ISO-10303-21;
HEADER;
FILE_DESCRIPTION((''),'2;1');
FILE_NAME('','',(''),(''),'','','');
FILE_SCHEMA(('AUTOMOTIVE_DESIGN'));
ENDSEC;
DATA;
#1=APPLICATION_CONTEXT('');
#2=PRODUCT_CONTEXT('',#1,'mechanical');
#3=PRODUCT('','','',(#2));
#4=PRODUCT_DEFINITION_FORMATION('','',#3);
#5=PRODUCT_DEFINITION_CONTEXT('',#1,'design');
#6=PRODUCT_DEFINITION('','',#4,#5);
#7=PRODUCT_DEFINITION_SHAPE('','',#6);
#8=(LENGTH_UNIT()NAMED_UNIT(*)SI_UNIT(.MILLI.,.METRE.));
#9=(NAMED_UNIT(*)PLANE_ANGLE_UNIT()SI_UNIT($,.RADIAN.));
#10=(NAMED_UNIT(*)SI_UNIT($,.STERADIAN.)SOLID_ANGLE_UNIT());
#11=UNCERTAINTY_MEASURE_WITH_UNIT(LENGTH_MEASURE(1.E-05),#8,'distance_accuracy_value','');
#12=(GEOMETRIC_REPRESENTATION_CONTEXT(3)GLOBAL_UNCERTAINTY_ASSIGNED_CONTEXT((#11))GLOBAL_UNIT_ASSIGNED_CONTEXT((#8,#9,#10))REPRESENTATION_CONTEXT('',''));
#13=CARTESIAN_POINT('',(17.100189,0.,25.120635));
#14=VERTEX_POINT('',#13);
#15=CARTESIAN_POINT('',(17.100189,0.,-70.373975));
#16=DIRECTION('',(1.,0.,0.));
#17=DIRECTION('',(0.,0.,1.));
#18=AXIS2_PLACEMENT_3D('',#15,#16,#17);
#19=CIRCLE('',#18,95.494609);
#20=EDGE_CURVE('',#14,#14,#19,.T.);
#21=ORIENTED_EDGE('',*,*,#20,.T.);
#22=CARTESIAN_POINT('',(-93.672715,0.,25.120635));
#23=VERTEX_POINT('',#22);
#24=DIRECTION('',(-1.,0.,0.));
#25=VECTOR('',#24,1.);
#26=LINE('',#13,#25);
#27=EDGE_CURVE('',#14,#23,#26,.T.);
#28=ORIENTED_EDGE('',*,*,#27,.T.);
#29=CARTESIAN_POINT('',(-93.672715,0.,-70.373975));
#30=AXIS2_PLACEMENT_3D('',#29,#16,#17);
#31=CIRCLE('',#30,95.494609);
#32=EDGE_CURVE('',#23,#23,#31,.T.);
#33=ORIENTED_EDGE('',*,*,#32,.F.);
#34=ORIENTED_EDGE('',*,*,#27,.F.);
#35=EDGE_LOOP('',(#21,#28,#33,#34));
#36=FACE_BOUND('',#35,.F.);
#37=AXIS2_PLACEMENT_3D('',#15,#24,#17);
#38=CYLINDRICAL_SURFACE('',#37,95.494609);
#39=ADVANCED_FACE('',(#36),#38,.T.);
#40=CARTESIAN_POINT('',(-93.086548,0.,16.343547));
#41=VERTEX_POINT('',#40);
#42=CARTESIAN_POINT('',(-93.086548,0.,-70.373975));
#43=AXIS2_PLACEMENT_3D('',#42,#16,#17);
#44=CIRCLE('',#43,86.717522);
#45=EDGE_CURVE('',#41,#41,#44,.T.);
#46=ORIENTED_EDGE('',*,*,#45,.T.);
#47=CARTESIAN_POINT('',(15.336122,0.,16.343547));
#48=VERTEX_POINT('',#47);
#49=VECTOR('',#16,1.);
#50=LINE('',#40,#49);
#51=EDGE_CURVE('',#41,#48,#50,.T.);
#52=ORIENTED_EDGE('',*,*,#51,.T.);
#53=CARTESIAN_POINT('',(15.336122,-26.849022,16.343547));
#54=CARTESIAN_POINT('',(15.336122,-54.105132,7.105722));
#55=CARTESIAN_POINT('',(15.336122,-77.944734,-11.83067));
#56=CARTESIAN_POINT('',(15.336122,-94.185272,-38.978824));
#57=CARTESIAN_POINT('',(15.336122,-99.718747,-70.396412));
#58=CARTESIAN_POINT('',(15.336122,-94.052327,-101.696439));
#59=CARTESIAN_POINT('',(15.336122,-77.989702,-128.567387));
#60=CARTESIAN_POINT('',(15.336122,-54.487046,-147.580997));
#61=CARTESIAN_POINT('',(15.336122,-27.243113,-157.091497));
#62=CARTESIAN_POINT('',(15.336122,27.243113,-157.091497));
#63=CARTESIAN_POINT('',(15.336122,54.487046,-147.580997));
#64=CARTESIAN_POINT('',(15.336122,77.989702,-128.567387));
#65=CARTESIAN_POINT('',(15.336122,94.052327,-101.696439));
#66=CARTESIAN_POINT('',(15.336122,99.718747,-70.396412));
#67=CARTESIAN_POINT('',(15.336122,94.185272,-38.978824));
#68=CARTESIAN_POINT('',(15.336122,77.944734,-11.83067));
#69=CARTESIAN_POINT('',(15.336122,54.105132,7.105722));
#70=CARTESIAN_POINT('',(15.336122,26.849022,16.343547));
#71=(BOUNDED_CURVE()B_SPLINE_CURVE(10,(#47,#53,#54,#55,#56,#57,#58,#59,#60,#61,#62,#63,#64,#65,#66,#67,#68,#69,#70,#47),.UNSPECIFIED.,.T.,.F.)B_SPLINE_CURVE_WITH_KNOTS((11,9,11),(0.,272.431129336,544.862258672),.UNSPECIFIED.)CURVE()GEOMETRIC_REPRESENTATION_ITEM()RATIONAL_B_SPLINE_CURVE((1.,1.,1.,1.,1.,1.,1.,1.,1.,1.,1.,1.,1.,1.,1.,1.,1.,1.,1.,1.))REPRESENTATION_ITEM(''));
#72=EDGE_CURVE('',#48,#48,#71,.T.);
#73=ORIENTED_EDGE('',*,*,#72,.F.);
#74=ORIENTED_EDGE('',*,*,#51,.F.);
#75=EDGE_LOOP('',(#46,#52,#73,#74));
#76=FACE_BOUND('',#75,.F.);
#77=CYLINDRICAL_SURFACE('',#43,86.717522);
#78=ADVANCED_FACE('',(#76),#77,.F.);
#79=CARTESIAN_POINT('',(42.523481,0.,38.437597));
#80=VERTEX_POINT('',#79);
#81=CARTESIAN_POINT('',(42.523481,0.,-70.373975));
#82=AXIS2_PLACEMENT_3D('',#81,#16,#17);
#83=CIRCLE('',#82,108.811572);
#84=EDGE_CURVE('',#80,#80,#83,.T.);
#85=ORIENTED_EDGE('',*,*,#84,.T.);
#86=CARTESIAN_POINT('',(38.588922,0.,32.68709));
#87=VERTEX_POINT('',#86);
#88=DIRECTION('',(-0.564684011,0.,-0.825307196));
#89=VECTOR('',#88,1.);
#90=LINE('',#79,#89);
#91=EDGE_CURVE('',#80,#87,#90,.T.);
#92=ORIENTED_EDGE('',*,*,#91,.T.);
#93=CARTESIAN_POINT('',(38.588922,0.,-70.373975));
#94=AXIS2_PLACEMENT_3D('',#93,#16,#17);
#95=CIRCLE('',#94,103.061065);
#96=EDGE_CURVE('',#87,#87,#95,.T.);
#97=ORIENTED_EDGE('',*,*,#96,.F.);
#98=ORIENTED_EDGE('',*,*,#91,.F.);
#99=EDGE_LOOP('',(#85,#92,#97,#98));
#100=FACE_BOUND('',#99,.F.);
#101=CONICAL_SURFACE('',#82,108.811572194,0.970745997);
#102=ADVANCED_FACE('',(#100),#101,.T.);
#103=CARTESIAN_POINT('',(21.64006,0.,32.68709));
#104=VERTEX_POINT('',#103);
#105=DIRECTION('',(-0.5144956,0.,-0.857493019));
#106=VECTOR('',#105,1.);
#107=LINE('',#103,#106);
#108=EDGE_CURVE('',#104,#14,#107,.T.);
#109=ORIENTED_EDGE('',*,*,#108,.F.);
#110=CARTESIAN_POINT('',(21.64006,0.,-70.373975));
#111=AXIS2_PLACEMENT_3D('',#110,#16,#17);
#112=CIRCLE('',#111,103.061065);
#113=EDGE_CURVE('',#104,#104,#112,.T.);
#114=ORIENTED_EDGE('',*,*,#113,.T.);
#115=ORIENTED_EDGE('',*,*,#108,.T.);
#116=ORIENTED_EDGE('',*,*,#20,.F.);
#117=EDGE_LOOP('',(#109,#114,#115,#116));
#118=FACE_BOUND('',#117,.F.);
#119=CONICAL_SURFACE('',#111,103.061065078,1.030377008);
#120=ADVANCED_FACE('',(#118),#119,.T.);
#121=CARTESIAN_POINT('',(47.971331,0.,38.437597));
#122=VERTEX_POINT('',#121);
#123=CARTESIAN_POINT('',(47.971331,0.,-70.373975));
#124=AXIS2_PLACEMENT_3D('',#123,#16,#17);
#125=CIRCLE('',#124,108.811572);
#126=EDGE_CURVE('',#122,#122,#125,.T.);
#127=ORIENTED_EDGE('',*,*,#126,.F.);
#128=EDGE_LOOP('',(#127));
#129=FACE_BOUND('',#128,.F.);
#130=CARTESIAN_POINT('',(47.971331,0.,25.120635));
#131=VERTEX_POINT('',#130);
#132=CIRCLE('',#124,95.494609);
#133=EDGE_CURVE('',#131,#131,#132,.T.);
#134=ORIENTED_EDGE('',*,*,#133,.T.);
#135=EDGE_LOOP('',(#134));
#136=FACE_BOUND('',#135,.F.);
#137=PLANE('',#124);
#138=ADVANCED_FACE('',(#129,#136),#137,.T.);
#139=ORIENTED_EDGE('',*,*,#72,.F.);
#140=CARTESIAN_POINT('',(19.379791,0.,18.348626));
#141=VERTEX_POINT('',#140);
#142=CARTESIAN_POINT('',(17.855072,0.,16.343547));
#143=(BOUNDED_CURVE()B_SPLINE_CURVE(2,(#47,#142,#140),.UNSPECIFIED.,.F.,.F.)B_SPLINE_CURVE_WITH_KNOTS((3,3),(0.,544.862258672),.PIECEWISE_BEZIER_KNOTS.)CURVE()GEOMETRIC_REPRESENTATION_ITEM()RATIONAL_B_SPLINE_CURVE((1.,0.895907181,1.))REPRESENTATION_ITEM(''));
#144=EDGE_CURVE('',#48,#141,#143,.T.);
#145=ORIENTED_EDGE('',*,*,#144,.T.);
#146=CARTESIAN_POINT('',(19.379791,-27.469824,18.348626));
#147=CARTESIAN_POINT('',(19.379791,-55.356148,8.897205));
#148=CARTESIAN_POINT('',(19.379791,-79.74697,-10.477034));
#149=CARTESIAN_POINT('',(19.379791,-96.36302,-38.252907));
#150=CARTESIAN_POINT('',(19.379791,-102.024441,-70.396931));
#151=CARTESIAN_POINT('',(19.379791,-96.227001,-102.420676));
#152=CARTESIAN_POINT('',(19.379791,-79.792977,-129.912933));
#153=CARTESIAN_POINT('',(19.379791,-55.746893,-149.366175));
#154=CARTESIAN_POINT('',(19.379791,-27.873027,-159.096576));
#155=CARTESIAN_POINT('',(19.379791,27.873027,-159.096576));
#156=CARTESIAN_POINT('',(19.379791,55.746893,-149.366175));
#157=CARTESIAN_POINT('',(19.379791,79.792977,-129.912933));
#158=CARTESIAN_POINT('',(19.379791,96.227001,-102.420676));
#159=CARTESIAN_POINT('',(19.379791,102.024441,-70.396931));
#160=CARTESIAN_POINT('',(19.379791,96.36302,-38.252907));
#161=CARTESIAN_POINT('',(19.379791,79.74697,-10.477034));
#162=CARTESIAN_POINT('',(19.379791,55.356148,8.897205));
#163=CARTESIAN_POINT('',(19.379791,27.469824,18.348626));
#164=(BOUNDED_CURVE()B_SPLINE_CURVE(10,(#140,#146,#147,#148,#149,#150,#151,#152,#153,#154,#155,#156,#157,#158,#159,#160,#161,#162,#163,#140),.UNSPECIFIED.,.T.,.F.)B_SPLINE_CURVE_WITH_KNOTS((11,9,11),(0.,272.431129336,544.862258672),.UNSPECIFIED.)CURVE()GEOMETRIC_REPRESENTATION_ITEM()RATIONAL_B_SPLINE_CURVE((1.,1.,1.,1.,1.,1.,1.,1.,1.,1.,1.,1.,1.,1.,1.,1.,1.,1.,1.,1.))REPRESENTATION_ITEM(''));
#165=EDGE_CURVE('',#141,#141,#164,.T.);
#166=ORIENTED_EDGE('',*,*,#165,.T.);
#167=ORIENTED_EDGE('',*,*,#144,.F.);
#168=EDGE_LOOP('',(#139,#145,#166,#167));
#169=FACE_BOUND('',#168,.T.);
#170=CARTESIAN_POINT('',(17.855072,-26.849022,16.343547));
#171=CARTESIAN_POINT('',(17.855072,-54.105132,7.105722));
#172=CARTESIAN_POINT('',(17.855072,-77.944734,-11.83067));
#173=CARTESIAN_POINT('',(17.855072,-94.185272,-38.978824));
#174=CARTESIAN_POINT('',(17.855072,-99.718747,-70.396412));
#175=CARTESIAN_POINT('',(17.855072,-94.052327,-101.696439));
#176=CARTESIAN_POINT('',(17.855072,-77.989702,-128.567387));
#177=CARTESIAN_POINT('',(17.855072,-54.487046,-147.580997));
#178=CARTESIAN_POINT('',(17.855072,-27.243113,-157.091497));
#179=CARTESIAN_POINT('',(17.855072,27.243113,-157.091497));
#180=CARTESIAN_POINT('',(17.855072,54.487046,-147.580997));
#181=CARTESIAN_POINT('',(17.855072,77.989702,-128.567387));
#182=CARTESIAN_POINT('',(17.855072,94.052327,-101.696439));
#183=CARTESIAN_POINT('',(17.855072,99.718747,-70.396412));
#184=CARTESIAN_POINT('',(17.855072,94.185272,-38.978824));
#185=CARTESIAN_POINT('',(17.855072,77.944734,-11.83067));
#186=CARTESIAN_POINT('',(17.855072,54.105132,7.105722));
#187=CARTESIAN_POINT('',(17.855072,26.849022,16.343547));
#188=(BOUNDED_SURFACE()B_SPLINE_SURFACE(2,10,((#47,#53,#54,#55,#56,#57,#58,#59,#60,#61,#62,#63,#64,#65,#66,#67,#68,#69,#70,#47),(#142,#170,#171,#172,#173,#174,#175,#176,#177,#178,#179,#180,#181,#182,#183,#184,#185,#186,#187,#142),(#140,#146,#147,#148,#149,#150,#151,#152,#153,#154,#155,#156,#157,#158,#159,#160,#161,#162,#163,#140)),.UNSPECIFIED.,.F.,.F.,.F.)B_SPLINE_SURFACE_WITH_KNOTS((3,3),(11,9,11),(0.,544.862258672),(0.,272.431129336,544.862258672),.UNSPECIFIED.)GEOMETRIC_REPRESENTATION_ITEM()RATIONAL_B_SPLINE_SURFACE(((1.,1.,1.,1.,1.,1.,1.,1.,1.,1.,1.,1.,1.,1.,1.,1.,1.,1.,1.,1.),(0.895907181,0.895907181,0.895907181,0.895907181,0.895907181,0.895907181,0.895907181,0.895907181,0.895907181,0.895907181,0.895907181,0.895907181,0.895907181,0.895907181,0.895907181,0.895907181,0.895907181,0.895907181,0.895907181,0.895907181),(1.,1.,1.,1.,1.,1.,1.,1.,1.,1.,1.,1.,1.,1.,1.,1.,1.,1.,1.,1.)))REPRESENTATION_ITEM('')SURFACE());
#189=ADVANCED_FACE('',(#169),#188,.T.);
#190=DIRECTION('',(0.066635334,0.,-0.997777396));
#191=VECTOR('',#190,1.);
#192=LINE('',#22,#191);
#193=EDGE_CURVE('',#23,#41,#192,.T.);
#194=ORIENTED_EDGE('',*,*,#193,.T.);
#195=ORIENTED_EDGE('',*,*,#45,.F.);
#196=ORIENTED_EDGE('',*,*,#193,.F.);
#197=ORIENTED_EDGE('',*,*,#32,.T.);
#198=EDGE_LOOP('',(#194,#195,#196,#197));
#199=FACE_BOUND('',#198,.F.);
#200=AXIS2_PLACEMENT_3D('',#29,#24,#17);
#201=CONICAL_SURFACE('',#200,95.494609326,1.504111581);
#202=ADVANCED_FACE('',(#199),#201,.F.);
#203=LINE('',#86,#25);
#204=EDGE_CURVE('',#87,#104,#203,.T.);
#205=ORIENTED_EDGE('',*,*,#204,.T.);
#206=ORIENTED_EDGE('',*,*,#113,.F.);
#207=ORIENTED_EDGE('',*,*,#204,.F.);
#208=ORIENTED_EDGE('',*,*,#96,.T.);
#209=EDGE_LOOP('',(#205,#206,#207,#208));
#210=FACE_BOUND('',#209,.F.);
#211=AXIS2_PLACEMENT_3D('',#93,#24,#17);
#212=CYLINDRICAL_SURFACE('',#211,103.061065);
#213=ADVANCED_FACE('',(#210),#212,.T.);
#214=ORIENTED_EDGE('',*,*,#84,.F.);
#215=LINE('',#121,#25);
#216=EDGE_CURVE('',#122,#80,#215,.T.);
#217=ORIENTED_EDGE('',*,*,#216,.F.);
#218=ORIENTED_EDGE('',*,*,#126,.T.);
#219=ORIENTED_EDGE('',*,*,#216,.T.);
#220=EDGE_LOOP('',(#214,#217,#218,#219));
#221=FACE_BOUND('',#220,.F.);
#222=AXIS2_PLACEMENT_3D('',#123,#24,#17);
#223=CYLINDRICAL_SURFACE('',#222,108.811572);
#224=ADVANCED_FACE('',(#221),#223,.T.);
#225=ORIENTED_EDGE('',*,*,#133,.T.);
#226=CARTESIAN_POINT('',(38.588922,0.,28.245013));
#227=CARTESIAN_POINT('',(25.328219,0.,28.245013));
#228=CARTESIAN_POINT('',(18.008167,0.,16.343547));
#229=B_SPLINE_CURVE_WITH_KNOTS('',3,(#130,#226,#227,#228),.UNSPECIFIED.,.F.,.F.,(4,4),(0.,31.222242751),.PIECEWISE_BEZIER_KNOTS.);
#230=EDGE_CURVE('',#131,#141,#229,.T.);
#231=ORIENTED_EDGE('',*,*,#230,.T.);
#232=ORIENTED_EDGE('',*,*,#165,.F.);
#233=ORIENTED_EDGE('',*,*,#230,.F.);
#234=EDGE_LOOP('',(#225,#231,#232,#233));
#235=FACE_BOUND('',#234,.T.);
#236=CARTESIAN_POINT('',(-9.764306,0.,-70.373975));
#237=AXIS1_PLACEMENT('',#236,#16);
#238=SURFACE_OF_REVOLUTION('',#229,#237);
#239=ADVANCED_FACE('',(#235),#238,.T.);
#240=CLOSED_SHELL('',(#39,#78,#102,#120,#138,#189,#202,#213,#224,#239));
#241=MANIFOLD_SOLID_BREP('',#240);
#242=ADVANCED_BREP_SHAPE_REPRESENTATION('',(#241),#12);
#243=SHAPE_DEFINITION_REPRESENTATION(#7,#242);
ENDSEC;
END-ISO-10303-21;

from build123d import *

# Parameters (mm, degrees)
F2_R = 5.08


with BuildPart() as f1:
    # F0 (on Front) → F1 (revolve)
    with BuildSketch(Plane.XZ):
        with BuildLine():
            Line((17.1001888812, 25.1206345856), (-93.6727151275, 25.1206345856))
            Line((-93.6727151275, 25.1206345856), (-93.0865481496, 16.3435470313))
            Line((-93.0865481496, 16.3435470313), (18.0081669241, 16.3435470313))
            add(Edge.make_bspline(
                [(47.9713305831, 25.1206345856), (38.5889224708, 28.2450132072), (25.3282189369, 28.2450132072), (18.0081669241, 16.3435470313)],
                knots=[0, 0, 0, 0, 31.2222427508, 31.2222427508, 31.2222427508, 31.2222427508], degree=3))
            Line((47.9713305831, 25.1206345856), (47.9713305831, 38.4375974536))
            Line((47.9713305831, 38.4375974536), (42.5234809518, 38.4375974536))
            Line((42.5234809518, 38.4375974536), (38.5889224708, 32.6870903373))
            Line((38.5889224708, 32.6870903373), (21.6400604695, 32.6870903373))
            Line((21.6400604695, 32.6870903373), (17.1001888812, 25.1206345856))
        make_face()
    revolve(axis=Axis((-9.7643062472, 0, -70.3739747405), (1, 0, 0)))

    # F2
    f2_edges = [f1.edges().sort_by_distance(p)[0] for p in [
        (18.008167, 0, -157.091497),
    ]]
    fillet(f2_edges, radius=F2_R)


solid = f1.part
